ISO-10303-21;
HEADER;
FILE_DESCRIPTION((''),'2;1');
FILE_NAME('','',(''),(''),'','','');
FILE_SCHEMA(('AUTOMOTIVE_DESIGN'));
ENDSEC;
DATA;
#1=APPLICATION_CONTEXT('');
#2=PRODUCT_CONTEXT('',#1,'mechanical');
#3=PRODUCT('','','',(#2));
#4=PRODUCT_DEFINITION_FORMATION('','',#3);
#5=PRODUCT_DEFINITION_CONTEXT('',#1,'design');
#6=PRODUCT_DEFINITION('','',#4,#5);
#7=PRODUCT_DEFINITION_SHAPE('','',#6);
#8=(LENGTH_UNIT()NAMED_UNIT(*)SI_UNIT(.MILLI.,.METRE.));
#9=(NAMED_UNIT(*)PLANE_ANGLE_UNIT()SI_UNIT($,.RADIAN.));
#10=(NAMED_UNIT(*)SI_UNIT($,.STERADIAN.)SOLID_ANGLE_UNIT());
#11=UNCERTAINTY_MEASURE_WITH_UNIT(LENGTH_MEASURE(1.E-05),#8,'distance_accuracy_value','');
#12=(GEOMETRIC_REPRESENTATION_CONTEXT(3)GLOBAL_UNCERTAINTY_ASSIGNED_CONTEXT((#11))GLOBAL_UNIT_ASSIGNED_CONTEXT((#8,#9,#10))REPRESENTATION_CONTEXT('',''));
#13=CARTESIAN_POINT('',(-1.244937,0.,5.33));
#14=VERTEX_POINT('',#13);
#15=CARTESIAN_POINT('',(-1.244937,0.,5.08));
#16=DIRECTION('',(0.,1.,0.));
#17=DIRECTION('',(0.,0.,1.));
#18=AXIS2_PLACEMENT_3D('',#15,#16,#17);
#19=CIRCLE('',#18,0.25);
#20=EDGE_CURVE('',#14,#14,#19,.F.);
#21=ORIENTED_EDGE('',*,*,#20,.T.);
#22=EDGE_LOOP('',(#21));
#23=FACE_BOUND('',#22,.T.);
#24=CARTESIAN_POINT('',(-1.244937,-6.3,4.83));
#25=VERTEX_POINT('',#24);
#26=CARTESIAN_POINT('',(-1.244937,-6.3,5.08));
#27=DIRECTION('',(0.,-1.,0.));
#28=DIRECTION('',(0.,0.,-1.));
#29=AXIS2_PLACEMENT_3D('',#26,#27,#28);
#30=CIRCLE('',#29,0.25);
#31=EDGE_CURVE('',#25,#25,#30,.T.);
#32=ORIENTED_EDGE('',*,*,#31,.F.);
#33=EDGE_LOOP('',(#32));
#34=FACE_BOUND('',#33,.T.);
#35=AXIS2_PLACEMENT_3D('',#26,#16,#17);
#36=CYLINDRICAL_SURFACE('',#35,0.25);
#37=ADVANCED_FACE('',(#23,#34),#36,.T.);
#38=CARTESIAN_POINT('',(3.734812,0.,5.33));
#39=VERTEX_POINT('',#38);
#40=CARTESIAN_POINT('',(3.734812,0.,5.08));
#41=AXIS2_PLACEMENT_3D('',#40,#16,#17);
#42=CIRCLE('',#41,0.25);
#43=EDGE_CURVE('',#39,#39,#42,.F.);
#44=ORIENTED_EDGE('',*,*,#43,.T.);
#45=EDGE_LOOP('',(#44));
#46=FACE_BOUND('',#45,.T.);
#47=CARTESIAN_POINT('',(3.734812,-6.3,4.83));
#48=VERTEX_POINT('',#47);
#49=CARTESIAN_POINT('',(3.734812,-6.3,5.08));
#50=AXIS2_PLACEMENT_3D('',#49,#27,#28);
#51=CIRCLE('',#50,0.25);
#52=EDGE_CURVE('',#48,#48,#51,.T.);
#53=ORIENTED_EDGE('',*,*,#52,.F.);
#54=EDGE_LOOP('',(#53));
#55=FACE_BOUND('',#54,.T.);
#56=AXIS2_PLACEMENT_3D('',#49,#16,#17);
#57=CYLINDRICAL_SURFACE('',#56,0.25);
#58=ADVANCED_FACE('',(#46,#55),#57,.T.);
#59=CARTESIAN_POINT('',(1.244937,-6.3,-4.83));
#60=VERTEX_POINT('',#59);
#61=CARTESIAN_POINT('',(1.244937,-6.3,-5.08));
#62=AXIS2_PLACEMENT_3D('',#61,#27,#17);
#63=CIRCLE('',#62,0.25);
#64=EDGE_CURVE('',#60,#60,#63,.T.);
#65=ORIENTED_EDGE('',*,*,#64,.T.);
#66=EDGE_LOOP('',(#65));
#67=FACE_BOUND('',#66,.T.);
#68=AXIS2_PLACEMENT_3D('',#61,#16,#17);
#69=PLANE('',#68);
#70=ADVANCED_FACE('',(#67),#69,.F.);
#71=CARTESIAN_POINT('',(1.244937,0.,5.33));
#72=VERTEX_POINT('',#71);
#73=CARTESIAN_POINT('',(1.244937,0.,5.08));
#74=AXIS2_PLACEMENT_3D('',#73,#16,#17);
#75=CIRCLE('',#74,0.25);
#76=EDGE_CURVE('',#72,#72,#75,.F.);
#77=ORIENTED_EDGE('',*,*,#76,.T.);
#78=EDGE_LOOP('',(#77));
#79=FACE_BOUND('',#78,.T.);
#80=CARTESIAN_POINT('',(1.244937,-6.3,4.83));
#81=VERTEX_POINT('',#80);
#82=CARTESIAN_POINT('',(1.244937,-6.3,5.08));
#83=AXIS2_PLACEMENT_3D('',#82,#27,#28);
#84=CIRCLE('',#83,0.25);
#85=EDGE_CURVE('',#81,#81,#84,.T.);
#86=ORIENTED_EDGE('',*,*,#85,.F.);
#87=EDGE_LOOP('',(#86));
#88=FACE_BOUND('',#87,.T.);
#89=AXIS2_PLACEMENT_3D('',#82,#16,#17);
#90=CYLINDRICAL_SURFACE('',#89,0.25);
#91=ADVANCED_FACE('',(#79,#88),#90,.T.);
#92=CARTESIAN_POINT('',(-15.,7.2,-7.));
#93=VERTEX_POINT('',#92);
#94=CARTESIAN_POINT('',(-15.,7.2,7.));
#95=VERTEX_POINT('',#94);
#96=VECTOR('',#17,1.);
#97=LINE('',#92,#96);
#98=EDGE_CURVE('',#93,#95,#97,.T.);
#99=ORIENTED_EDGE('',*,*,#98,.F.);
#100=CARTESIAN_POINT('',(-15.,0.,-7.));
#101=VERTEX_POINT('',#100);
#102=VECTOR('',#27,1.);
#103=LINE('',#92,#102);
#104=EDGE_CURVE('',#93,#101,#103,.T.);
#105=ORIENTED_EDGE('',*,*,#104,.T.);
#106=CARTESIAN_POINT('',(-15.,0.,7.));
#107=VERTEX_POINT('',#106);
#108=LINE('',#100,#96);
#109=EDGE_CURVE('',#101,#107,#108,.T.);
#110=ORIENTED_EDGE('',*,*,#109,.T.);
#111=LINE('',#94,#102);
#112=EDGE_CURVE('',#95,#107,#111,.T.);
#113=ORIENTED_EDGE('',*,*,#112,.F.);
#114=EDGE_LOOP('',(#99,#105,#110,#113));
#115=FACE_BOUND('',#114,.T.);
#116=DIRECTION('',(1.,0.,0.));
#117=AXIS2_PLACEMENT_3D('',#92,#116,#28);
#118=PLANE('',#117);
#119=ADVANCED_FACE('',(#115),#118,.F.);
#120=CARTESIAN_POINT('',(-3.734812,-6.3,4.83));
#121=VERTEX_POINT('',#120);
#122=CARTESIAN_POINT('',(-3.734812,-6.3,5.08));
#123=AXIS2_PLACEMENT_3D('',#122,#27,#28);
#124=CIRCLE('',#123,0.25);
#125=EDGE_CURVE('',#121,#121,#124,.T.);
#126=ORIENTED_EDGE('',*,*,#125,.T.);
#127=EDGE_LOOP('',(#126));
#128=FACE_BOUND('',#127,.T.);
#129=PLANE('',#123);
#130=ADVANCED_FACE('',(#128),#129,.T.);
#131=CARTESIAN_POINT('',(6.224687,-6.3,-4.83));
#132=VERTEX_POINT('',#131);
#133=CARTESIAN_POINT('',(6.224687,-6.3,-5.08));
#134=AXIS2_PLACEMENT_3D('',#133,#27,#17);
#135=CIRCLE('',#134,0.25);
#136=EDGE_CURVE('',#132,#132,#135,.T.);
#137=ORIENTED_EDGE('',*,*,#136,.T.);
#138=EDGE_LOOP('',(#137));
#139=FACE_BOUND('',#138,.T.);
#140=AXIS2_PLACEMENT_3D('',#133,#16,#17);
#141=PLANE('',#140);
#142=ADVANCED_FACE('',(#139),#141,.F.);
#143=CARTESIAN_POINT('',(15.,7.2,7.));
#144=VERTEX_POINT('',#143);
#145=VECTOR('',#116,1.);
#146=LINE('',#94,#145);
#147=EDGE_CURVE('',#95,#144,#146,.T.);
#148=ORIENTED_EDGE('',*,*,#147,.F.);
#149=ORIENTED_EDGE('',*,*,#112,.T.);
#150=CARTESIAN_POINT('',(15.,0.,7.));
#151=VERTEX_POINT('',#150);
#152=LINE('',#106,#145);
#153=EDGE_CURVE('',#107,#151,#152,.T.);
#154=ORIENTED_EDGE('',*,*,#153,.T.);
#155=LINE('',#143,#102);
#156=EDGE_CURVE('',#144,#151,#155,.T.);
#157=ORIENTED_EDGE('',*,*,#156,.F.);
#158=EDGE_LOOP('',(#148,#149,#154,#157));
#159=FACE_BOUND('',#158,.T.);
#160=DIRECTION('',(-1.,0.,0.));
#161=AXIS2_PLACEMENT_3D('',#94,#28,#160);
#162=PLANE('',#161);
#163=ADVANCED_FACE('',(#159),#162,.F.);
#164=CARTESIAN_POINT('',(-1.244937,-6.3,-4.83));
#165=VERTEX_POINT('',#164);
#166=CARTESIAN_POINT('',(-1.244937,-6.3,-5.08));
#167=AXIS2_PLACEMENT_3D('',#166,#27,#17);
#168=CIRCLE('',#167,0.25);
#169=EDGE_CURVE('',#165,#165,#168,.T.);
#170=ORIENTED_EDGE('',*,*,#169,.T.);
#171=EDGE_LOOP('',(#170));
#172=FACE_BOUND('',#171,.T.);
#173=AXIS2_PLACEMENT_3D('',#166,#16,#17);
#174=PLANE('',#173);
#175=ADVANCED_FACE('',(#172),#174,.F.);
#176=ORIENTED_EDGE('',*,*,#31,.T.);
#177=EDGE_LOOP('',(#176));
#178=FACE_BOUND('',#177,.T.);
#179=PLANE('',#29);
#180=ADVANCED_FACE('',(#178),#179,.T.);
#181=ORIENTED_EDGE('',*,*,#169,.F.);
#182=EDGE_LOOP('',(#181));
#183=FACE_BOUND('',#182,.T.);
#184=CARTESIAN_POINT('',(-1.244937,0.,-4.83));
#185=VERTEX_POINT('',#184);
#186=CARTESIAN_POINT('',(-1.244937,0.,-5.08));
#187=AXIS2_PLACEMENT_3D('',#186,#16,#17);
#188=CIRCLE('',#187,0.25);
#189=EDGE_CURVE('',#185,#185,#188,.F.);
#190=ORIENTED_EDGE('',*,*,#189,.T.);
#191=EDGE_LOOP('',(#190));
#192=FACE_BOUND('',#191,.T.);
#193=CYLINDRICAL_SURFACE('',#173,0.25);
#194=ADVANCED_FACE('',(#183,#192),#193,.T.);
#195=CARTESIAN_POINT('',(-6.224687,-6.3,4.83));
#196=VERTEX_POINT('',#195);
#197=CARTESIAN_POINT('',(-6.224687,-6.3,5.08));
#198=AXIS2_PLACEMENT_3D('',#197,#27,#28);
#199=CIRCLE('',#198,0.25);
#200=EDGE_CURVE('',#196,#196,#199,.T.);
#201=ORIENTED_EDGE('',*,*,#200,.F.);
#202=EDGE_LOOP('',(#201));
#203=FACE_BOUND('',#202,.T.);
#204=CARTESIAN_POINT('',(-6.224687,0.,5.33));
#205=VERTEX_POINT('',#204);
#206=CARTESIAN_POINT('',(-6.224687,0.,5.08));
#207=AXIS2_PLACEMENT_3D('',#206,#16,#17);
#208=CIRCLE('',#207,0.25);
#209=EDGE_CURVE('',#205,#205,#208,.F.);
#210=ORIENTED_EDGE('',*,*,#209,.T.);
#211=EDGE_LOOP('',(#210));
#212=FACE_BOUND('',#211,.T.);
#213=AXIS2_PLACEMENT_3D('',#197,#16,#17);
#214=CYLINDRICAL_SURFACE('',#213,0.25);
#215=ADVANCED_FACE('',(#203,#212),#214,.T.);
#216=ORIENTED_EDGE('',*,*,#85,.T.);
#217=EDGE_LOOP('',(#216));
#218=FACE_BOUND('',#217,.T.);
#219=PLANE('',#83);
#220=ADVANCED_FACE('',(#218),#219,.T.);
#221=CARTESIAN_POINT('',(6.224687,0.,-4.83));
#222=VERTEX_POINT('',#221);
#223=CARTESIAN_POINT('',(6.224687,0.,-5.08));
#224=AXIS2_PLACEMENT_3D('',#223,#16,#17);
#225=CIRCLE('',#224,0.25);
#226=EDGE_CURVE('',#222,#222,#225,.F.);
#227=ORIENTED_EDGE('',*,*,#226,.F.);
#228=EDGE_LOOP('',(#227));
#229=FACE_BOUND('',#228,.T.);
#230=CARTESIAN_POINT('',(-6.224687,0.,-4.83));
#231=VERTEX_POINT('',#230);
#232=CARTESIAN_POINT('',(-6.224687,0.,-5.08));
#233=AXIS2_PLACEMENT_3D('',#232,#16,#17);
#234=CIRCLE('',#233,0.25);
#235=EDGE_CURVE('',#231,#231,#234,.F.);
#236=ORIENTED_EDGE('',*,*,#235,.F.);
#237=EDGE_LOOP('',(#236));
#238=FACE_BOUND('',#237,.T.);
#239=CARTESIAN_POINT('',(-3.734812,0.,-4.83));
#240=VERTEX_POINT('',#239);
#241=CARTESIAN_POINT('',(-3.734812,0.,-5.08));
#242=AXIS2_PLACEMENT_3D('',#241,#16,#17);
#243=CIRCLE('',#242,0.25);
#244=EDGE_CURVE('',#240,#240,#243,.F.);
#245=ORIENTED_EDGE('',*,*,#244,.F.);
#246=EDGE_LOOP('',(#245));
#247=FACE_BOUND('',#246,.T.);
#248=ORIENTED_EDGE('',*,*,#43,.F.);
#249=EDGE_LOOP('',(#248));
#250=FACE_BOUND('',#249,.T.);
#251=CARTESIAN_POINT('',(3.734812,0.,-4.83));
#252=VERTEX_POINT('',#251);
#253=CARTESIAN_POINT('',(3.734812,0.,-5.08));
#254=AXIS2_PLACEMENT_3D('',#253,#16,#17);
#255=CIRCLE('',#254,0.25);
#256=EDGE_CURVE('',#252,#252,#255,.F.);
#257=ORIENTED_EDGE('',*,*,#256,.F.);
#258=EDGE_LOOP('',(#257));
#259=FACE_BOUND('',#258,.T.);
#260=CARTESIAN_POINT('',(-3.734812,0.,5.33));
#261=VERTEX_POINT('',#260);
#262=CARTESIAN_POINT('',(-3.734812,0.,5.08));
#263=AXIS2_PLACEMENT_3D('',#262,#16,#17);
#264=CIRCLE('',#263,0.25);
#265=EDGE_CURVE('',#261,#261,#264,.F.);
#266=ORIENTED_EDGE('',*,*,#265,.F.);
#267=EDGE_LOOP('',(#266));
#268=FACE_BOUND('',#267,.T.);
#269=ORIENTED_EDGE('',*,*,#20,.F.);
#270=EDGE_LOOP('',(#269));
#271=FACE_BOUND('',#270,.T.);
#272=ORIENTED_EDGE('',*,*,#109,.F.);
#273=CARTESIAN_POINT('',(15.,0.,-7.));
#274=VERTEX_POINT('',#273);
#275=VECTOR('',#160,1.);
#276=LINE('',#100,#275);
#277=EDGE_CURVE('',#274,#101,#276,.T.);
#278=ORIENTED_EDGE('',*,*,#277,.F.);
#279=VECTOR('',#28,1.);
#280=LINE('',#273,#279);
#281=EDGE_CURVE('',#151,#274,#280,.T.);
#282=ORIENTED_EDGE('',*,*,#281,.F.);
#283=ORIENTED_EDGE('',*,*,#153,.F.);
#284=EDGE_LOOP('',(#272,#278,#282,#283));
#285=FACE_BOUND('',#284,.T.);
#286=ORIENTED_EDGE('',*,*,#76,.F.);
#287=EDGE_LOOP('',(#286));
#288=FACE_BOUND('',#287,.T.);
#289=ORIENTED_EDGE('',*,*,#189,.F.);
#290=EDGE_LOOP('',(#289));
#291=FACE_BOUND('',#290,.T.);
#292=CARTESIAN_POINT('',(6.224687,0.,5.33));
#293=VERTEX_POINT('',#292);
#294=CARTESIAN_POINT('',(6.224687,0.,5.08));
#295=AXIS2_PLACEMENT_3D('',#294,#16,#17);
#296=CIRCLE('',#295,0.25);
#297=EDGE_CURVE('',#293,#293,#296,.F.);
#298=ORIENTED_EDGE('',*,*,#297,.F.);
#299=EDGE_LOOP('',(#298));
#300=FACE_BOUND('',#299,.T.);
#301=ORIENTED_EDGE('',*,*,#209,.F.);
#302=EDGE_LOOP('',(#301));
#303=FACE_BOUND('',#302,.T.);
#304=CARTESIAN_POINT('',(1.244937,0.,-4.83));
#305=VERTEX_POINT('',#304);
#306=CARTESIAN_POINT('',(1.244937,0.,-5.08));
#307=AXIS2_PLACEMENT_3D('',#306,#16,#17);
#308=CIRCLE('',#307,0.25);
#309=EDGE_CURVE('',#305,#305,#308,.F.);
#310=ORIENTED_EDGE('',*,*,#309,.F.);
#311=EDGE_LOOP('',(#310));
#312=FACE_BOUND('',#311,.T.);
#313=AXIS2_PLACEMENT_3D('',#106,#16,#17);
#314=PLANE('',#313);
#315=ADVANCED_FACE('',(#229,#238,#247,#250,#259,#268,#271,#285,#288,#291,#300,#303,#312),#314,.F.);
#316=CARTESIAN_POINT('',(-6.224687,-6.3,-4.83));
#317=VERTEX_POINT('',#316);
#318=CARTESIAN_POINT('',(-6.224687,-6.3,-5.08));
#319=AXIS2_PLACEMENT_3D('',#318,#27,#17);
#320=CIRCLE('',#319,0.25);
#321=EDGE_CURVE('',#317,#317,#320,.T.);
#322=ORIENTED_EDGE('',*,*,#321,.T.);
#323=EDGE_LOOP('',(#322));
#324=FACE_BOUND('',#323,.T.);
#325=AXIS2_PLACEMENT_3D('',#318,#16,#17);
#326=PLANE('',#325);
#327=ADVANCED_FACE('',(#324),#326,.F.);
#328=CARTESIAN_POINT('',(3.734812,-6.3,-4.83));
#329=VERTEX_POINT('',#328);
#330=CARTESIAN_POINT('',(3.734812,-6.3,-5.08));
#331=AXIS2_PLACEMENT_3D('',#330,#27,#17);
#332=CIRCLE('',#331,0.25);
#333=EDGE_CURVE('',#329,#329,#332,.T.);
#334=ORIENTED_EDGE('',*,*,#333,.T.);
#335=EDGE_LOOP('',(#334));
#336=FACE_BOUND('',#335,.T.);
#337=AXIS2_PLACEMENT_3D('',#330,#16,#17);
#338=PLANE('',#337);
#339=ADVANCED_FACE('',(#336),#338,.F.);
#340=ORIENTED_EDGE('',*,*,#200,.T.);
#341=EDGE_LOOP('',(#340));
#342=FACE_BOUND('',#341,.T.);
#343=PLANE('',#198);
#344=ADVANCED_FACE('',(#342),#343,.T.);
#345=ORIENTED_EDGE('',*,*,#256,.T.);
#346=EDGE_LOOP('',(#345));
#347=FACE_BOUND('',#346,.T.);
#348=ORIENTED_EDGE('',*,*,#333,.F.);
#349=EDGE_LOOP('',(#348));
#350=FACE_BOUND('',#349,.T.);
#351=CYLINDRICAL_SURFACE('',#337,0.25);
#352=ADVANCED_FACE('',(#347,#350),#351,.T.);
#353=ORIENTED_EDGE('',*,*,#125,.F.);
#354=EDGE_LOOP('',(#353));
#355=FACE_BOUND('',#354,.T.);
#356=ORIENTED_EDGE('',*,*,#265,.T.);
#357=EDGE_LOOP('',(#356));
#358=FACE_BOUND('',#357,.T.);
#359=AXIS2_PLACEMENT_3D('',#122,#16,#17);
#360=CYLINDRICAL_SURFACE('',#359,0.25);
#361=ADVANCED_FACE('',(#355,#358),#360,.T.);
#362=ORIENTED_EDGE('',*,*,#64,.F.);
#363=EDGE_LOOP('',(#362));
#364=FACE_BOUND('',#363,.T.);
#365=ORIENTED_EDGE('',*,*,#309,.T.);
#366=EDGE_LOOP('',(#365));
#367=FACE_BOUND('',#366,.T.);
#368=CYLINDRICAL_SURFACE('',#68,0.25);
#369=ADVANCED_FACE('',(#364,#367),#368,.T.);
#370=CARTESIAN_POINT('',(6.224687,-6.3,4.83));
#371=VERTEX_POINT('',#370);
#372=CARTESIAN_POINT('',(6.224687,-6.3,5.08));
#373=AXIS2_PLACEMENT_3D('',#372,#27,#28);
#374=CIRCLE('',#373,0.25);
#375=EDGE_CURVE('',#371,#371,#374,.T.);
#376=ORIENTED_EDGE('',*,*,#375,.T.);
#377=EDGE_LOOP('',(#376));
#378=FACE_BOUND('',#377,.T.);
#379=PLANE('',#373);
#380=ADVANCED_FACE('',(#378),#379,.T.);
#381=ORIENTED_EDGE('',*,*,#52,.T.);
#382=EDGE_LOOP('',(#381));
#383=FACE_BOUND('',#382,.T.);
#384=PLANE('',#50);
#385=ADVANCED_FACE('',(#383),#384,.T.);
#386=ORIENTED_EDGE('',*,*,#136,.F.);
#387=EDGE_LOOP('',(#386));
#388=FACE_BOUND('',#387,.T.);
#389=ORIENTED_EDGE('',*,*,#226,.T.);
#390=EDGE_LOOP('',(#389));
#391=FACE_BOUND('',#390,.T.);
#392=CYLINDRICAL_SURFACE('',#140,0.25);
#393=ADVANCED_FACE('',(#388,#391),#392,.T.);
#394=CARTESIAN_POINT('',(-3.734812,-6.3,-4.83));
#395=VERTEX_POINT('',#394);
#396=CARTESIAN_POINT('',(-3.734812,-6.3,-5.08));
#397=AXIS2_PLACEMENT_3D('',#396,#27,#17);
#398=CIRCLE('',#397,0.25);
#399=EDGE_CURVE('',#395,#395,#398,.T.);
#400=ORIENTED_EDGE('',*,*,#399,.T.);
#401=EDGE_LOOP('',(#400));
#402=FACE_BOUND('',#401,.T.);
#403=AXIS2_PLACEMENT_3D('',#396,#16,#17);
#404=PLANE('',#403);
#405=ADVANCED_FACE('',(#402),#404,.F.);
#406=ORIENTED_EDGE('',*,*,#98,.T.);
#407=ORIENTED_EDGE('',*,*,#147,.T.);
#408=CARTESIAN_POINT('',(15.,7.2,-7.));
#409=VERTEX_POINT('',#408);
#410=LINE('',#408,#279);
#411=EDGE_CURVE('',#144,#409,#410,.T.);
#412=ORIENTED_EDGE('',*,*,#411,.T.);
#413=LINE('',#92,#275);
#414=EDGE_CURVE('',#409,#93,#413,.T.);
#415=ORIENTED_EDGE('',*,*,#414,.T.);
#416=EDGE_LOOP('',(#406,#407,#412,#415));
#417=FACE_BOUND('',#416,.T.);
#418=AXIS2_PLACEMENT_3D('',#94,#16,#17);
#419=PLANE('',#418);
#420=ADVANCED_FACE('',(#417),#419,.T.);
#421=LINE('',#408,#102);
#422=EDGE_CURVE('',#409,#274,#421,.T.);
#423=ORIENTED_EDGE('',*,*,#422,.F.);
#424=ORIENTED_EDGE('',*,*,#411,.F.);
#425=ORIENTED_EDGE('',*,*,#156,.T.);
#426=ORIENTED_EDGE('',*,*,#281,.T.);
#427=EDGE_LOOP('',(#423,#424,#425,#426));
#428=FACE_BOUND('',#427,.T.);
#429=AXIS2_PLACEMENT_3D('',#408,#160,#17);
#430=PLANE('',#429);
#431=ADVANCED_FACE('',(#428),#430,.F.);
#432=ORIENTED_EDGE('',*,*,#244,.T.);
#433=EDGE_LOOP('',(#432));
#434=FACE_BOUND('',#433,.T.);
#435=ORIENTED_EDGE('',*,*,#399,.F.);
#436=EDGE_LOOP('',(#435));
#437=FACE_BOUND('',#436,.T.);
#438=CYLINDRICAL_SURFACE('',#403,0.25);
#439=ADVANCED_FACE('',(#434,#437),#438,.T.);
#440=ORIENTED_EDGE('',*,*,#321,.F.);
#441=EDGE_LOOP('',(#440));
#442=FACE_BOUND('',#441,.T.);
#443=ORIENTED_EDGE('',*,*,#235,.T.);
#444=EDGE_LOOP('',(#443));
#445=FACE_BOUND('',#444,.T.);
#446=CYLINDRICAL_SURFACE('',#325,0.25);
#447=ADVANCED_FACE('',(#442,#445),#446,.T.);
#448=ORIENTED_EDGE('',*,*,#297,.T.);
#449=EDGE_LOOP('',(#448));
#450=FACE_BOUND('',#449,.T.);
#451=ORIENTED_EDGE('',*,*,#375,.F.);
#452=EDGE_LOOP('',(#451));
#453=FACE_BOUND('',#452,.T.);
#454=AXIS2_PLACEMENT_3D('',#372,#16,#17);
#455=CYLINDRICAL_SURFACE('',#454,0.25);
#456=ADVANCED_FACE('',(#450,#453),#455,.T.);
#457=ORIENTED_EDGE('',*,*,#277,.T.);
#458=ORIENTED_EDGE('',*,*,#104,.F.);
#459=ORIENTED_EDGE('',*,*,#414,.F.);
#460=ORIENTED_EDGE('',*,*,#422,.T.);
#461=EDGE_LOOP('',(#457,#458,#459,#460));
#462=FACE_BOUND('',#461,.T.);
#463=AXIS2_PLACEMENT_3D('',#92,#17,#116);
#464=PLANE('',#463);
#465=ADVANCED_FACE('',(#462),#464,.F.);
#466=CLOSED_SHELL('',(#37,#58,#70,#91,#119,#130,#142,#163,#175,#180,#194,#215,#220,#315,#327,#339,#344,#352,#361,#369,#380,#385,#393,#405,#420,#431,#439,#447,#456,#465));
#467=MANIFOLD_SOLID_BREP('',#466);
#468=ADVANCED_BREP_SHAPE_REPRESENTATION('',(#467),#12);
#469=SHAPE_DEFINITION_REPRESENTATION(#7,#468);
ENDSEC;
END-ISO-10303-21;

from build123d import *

# Parameters (mm, degrees)
SKETCH_1_W      = 30
SKETCH_1_H      = 14
EXTRUDE_1_DEPTH = 7.2
SKETCH_2_R      = 0.25
EXTRUDE_2_DEPTH = 6.3


with BuildPart() as part:
    # 草图1 → 拉伸1 (new body)
    with BuildSketch(Plane(origin=(0, 0, 0), x_dir=(1, 0, 0), z_dir=(0, 1, 0))):
        Rectangle(SKETCH_1_W, SKETCH_1_H)
    extrude(amount=EXTRUDE_1_DEPTH)

    # 草图2 → 拉伸2 (add)
    with BuildSketch(Plane.XZ):
        with Locations(Location((6.224686657, 5.08, 0), (0, 0, 90))):
            Circle(SKETCH_2_R)
        with Locations(Location((3.734811994, 5.08, 0), (0, 0, 90))):
            Circle(SKETCH_2_R)
        with Locations(Location((1.244937331, 5.08, 0), (0, 0, 90))):
            Circle(SKETCH_2_R)
        with Locations(Location((-1.244937331, 5.08, 0), (0, 0, 90))):
            Circle(SKETCH_2_R)
        with Locations(Location((-3.734811994, 5.08, 0), (0, 0, 90))):
            Circle(SKETCH_2_R)
        with Locations(Location((-6.224686657, 5.08, 0), (0, 0, 90))):
            Circle(SKETCH_2_R)
        with Locations(Location((-6.224686657, -5.08, 0), (0, 0, 90))):
            Circle(SKETCH_2_R)
        with Locations(Location((-3.734811994, -5.08, 0), (0, 0, 90))):
            Circle(SKETCH_2_R)
        with Locations(Location((-1.244937331, -5.08, 0), (0, 0, 90))):
            Circle(SKETCH_2_R)
        with Locations(Location((1.244937331, -5.08, 0), (0, 0, 90))):
            Circle(SKETCH_2_R)
        with Locations(Location((3.734811994, -5.08, 0), (0, 0, 90))):
            Circle(SKETCH_2_R)
        with Locations(Location((6.224686657, -5.08, 0), (0, 0, 90))):
            Circle(SKETCH_2_R)
    extrude(amount=EXTRUDE_2_DEPTH)


solid = part.part
